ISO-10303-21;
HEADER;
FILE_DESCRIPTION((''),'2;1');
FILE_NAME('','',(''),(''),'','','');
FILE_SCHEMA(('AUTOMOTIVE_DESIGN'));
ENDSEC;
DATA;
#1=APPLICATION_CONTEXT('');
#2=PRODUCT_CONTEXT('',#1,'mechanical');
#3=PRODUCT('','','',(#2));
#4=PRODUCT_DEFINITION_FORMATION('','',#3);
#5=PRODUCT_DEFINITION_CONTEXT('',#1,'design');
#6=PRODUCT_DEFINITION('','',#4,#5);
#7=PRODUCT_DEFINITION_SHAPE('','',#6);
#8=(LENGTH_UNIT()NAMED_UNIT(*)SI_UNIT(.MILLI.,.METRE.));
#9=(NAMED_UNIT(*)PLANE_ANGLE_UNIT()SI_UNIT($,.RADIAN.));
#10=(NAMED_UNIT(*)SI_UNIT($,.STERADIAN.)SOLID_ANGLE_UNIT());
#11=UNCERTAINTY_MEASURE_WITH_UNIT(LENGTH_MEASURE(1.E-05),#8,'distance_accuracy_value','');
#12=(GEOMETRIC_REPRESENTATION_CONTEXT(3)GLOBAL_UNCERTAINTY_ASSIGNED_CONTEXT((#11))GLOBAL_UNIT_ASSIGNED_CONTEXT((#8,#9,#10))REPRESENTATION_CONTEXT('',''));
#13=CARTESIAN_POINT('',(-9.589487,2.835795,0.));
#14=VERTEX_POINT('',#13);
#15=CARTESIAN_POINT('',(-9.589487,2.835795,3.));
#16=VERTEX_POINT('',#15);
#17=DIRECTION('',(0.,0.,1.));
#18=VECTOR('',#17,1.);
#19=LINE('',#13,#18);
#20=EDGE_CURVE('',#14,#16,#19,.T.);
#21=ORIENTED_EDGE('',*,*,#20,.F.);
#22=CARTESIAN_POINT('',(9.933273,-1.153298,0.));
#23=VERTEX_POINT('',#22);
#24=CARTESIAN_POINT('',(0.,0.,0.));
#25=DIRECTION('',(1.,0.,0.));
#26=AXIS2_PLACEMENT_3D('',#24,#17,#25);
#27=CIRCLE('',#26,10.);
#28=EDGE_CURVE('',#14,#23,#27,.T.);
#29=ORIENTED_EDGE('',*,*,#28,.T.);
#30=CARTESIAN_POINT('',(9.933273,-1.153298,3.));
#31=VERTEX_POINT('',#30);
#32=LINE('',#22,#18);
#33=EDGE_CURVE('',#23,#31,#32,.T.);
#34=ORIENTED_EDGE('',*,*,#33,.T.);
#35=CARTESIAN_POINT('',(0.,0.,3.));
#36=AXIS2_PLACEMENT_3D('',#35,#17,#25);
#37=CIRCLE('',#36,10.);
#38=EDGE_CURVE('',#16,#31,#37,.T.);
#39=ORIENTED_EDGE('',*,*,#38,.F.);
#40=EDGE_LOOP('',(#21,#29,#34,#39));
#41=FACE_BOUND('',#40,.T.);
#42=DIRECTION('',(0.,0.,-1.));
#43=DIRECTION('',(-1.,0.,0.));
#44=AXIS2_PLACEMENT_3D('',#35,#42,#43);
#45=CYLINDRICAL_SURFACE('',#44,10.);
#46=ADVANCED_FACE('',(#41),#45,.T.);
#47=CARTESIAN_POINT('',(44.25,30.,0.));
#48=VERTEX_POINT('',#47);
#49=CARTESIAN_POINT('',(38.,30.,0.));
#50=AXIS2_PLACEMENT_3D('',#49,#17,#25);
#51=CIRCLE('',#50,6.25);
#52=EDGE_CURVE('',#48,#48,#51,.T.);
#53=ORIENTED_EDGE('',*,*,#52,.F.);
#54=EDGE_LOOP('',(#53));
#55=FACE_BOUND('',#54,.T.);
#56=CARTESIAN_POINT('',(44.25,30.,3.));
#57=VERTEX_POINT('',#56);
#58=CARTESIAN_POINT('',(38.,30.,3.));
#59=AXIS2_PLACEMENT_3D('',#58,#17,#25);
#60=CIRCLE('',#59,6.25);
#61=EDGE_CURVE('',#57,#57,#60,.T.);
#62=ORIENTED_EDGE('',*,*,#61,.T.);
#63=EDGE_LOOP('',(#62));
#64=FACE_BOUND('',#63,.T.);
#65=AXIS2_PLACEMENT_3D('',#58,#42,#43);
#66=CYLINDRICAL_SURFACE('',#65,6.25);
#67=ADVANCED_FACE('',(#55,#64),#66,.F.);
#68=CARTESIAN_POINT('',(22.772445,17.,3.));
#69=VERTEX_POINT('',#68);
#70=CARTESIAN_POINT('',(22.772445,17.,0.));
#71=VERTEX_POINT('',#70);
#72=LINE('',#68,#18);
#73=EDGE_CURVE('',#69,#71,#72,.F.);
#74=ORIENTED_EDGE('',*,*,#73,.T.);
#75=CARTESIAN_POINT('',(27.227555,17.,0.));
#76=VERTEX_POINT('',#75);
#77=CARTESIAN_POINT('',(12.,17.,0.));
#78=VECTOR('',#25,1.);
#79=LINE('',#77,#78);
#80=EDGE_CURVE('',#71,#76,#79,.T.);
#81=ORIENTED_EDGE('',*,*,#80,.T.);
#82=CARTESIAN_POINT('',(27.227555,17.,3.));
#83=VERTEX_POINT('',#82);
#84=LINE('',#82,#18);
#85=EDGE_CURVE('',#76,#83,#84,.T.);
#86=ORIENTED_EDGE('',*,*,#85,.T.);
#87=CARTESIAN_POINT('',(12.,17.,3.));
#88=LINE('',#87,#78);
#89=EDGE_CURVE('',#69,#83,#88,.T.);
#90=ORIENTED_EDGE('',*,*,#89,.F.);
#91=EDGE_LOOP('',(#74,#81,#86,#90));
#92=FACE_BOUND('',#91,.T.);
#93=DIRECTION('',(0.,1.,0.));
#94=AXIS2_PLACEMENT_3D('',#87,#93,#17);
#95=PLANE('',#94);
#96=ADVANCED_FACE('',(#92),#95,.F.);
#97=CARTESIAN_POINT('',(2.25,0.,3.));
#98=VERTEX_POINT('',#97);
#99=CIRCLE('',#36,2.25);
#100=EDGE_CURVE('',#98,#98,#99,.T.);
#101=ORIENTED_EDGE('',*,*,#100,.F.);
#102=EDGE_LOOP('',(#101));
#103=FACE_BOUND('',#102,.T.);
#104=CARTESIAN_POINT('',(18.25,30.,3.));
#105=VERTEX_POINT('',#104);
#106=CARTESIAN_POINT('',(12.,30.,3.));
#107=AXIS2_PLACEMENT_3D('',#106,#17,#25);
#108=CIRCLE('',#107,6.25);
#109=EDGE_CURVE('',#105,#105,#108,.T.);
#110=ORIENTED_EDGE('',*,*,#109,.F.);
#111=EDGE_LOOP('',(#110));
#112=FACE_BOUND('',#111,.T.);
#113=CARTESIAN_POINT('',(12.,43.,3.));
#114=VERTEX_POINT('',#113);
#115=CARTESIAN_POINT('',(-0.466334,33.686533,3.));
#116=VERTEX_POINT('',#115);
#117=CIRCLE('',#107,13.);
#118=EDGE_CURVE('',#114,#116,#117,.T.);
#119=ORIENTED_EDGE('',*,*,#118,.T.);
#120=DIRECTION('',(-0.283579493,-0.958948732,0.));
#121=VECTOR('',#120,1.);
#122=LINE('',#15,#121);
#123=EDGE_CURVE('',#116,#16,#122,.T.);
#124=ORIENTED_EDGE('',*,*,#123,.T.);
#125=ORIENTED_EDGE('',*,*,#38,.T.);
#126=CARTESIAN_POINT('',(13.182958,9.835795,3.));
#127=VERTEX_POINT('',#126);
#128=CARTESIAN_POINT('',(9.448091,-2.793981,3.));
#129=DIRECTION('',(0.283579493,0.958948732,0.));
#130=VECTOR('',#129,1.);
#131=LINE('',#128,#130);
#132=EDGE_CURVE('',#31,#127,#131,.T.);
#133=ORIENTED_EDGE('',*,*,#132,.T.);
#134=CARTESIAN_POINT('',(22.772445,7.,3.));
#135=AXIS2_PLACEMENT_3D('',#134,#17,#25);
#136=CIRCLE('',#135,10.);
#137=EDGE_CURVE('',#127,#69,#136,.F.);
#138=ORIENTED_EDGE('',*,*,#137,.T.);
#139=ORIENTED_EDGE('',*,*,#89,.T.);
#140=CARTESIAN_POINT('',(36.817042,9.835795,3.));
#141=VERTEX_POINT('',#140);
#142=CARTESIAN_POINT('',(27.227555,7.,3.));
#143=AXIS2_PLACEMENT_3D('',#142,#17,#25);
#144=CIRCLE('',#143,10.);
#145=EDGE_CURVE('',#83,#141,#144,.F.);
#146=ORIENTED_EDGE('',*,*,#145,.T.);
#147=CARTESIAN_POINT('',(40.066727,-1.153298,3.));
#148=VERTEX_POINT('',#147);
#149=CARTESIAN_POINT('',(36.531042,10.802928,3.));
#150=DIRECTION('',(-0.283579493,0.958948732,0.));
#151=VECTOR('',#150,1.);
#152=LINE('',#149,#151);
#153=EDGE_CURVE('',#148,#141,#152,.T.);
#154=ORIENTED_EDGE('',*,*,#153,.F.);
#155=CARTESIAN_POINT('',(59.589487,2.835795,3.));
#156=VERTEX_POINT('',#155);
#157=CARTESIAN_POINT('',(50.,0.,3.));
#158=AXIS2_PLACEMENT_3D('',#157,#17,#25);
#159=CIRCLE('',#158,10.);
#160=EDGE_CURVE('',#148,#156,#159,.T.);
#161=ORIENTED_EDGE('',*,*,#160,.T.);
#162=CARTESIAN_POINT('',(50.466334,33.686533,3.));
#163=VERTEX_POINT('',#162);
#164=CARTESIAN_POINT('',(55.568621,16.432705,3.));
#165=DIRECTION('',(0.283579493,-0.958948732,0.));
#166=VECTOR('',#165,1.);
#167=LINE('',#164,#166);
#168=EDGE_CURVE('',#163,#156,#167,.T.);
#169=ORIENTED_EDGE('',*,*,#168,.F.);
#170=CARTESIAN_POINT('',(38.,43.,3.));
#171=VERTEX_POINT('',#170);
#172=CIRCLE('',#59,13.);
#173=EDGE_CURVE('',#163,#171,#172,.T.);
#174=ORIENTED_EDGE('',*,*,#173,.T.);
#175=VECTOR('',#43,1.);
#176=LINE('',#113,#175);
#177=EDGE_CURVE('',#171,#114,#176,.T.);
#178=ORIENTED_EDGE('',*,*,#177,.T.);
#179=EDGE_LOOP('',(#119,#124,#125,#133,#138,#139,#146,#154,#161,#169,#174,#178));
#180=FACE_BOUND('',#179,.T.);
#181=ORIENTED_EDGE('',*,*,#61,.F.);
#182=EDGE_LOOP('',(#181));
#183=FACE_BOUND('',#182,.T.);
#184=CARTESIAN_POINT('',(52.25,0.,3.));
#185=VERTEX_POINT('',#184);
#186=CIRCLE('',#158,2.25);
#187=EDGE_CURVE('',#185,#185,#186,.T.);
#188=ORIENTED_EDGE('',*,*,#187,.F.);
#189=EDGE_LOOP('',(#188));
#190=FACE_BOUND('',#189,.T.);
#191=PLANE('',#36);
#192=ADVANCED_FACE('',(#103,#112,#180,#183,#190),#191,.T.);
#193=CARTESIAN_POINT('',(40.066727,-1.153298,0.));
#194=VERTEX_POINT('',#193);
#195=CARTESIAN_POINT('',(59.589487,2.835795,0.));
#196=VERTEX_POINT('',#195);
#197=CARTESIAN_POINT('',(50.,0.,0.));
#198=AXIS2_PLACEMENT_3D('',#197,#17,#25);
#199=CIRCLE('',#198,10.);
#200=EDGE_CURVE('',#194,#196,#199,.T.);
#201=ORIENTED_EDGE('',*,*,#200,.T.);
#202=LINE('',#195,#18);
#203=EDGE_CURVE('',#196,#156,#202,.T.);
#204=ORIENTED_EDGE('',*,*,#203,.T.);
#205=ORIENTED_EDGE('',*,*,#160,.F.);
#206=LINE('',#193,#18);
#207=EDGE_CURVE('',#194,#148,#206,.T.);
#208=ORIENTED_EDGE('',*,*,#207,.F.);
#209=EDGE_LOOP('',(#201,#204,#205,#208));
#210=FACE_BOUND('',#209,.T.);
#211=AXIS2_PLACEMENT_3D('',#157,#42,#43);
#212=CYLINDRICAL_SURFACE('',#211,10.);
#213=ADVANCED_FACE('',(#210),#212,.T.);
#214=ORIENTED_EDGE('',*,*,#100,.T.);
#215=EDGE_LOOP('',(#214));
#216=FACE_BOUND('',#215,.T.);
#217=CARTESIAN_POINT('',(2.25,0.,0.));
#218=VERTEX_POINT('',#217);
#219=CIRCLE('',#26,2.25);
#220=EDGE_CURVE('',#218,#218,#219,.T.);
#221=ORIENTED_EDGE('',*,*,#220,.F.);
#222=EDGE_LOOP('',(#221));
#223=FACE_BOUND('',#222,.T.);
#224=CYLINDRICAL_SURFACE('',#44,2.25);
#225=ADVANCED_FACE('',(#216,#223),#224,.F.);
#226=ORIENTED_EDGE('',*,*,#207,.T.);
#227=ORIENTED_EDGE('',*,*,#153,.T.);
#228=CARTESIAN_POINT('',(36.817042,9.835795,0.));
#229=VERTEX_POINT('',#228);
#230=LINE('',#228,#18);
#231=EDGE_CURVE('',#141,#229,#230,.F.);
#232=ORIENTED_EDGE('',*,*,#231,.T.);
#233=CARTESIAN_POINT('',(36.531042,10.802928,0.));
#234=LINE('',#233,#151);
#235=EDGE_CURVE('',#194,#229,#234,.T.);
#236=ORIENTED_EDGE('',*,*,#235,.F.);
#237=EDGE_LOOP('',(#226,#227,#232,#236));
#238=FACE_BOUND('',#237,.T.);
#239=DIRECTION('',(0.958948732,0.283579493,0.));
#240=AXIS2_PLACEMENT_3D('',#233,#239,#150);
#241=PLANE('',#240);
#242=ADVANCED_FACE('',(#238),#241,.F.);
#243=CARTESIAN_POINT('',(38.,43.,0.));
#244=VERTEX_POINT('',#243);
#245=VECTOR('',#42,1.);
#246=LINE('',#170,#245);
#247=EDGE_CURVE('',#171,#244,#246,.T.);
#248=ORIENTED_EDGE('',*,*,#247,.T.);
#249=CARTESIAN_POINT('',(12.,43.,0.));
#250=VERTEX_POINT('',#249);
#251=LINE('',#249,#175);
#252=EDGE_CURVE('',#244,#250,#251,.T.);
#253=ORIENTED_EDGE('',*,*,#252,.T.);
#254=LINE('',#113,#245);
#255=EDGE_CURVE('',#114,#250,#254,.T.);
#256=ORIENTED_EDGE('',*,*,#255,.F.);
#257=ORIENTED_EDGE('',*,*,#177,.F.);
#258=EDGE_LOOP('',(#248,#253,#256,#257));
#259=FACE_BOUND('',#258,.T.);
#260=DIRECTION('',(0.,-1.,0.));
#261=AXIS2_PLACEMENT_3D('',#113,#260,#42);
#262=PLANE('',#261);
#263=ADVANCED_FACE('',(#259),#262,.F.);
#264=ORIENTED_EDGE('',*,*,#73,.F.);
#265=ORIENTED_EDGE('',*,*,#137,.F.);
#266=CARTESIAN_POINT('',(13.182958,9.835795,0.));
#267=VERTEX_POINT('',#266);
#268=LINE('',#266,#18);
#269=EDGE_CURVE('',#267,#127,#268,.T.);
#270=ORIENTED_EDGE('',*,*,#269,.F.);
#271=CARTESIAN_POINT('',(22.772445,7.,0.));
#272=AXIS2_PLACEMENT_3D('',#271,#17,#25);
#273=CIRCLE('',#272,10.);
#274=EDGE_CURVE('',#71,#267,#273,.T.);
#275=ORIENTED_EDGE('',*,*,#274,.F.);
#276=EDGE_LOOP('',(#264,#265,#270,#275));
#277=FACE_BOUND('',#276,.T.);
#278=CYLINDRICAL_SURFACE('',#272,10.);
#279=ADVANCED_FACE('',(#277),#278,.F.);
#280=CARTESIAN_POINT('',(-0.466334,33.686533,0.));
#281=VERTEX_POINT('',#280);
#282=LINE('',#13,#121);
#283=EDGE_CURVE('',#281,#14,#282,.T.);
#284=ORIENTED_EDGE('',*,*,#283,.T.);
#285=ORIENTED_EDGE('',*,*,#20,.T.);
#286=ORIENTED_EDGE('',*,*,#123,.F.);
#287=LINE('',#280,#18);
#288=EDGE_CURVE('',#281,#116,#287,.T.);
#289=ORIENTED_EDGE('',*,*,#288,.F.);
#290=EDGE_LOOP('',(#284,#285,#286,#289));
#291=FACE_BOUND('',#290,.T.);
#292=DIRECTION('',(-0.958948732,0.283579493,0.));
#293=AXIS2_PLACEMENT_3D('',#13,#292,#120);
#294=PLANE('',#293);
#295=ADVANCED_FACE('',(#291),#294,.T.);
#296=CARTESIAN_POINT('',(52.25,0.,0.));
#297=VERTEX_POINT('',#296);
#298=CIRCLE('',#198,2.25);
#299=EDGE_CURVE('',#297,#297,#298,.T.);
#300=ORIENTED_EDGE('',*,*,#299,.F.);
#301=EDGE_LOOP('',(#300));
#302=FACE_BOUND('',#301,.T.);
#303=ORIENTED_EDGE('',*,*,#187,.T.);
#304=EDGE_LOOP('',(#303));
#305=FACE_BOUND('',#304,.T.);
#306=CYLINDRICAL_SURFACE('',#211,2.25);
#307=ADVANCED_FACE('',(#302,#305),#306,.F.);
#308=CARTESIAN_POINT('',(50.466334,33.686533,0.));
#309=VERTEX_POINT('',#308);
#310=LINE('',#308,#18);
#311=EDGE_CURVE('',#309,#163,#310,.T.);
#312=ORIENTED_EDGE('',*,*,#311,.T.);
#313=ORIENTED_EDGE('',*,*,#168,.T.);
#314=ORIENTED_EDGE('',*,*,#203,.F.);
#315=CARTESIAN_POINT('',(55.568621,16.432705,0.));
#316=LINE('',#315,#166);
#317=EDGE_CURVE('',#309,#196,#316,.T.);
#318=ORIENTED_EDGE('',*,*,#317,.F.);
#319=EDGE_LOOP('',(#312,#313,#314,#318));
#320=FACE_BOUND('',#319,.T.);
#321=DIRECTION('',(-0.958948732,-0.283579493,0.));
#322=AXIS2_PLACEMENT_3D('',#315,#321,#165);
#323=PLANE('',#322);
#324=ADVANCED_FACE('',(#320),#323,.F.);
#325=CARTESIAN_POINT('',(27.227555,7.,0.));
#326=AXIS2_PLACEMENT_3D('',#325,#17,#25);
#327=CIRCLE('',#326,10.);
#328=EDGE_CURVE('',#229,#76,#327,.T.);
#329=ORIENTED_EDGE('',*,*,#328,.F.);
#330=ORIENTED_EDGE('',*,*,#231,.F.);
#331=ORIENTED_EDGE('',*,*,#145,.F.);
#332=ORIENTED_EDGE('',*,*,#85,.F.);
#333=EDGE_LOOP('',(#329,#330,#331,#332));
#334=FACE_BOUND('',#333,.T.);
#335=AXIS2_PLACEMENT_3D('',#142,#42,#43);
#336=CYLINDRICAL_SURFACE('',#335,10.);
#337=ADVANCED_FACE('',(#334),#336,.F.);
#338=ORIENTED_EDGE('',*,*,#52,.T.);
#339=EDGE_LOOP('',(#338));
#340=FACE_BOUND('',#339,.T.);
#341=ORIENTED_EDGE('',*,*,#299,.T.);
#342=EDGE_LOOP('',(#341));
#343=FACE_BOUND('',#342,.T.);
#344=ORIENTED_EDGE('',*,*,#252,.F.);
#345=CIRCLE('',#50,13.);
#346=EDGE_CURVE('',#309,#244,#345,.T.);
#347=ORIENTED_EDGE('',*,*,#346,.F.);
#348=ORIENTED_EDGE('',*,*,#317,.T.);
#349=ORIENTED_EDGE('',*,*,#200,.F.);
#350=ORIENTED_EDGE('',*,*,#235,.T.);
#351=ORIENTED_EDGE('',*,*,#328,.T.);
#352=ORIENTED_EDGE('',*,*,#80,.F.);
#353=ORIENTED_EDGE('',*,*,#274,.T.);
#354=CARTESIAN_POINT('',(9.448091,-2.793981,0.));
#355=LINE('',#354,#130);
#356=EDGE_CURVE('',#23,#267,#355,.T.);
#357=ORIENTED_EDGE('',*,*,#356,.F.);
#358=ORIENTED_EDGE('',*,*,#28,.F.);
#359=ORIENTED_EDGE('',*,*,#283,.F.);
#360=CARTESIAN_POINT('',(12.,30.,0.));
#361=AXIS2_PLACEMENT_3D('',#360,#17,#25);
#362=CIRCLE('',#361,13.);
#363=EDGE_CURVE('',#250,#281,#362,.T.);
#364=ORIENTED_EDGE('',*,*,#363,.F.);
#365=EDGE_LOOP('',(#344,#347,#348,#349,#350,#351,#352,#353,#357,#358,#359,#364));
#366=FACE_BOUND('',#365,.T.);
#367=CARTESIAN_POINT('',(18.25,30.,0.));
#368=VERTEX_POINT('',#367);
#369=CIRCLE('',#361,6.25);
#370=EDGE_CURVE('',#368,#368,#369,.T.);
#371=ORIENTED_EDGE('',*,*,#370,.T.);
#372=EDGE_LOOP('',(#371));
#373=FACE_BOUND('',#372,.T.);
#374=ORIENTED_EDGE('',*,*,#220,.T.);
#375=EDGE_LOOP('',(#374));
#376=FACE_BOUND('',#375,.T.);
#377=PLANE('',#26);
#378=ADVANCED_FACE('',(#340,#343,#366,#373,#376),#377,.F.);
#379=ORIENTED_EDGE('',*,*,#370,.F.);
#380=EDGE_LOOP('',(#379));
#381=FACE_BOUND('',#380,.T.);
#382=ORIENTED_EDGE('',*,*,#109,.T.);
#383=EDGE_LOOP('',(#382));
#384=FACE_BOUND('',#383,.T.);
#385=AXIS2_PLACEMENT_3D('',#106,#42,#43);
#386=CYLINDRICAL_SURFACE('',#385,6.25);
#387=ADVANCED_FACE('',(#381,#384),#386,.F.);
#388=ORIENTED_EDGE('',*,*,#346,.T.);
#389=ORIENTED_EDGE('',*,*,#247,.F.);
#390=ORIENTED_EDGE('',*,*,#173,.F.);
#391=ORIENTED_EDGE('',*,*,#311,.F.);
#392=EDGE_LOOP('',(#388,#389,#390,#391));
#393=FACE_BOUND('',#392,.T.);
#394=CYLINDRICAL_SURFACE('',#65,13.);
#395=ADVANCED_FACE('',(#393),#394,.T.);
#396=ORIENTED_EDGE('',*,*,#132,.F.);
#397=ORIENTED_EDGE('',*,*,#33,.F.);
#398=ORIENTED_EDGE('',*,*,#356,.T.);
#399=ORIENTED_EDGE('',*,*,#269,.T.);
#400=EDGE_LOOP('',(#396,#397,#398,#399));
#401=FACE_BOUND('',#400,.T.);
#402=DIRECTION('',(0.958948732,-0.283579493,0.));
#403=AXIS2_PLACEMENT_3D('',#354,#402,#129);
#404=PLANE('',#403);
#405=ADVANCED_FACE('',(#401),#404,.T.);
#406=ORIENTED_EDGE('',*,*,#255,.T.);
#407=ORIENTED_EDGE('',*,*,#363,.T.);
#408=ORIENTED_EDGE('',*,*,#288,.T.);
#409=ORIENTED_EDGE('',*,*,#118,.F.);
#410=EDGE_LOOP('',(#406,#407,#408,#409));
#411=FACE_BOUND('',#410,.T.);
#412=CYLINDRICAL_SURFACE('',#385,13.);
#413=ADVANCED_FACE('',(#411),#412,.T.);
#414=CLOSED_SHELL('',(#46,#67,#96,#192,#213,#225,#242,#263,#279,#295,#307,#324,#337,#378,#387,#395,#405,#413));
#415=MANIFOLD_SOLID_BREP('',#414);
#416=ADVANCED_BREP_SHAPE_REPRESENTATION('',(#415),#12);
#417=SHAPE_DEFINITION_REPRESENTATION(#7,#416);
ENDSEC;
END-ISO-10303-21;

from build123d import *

# Parameters (mm, degrees)
ESQUISSE1_R          = 10
ESQUISSE1_R_2        = 2.25
BOSS_EXTRU_1_DEPTH   = 3
BOSS_EXTRU_1_2_DEPTH = 3
ESQUISSE1_R_3        = 6.25
BOSS_EXTRU_1_3_DEPTH = 3
BOSS_EXTRU_2_DEPTH   = 3
CONG_1_R             = 10


with BuildPart() as part:
    # Esquisse1 → Boss.-Extru.1 (new body)
    with BuildSketch(Plane.XY):
        Circle(ESQUISSE1_R)
        Circle(ESQUISSE1_R_2, mode=Mode.SUBTRACT)
    extrude(amount=BOSS_EXTRU_1_DEPTH)



with BuildPart() as body_2:
    # Esquisse1 → Boss.-Extru.1 2 (new body)
    with BuildSketch(Plane.XY):
        with Locations((50, 0)):
            Circle(ESQUISSE1_R)
        with Locations((50, 0)):
            Circle(ESQUISSE1_R_2, mode=Mode.SUBTRACT)
    extrude(amount=BOSS_EXTRU_1_2_DEPTH)


with BuildPart() as body_3:
    # Esquisse1 → Boss.-Extru.1 3 (new body)
    with BuildSketch(Plane.XY):
        with BuildLine():
            Line((12, 43), (38, 43))
            ThreePointArc((38, 43), (51, 30), (38, 17))
            Line((38, 17), (12, 17))
            ThreePointArc((12, 17), (-1, 30), (12, 43))
        make_face()
        with Locations((12, 30)):
            Circle(ESQUISSE1_R_3, mode=Mode.SUBTRACT)
        with Locations((38, 30)):
            Circle(ESQUISSE1_R_3, mode=Mode.SUBTRACT)
    extrude(amount=BOSS_EXTRU_1_3_DEPTH)


with BuildPart() as part_1:
    add(part.part)

    add(body_2.part)  # Boss.-Extru.2 merges body 2

    add(body_3.part)  # Boss.-Extru.2 merges body 3
    # Esquisse2 → Boss.-Extru.2 (add)
    with BuildSketch(Plane.XY.offset(3)):
        with BuildLine():
            ThreePointArc((12, 17), (1.585468462, 22.219413078), (-0.46633352, 33.686533408))
            Line((-0.46633352, 33.686533408), (-9.589487323, 2.835794929))
            ThreePointArc((-9.589487323, 2.835794929), (2.00193965, 9.797562842), (9.933272577, -1.153297843))
            Line((9.933272577, -1.153297843), (15.301550175, 17))
            Line((15.301550175, 17), (12, 17))
        make_face()
        with BuildLine():
            Line((38, 17), (34.698449825, 17))
            Line((34.698449825, 17), (40.066727423, -1.153297843))
            ThreePointArc((40.066727423, -1.153297843), (47.99806035, 9.797562842), (59.589487323, 2.835794929))
            Line((59.589487323, 2.835794929), (50.46633352, 33.686533408))
            ThreePointArc((50.46633352, 33.686533408), (48.414531538, 22.219413078), (38, 17))
        make_face()
    extrude(amount=-BOSS_EXTRU_2_DEPTH)

    # Congé1
    cong_1_edges = [part_1.edges().sort_by_distance(p)[0] for p in [
        (15.301550175, 17, 1.5),
        (34.698449825, 17, 1.5),
    ]]
    fillet(cong_1_edges, radius=CONG_1_R)


solid = part_1.part
